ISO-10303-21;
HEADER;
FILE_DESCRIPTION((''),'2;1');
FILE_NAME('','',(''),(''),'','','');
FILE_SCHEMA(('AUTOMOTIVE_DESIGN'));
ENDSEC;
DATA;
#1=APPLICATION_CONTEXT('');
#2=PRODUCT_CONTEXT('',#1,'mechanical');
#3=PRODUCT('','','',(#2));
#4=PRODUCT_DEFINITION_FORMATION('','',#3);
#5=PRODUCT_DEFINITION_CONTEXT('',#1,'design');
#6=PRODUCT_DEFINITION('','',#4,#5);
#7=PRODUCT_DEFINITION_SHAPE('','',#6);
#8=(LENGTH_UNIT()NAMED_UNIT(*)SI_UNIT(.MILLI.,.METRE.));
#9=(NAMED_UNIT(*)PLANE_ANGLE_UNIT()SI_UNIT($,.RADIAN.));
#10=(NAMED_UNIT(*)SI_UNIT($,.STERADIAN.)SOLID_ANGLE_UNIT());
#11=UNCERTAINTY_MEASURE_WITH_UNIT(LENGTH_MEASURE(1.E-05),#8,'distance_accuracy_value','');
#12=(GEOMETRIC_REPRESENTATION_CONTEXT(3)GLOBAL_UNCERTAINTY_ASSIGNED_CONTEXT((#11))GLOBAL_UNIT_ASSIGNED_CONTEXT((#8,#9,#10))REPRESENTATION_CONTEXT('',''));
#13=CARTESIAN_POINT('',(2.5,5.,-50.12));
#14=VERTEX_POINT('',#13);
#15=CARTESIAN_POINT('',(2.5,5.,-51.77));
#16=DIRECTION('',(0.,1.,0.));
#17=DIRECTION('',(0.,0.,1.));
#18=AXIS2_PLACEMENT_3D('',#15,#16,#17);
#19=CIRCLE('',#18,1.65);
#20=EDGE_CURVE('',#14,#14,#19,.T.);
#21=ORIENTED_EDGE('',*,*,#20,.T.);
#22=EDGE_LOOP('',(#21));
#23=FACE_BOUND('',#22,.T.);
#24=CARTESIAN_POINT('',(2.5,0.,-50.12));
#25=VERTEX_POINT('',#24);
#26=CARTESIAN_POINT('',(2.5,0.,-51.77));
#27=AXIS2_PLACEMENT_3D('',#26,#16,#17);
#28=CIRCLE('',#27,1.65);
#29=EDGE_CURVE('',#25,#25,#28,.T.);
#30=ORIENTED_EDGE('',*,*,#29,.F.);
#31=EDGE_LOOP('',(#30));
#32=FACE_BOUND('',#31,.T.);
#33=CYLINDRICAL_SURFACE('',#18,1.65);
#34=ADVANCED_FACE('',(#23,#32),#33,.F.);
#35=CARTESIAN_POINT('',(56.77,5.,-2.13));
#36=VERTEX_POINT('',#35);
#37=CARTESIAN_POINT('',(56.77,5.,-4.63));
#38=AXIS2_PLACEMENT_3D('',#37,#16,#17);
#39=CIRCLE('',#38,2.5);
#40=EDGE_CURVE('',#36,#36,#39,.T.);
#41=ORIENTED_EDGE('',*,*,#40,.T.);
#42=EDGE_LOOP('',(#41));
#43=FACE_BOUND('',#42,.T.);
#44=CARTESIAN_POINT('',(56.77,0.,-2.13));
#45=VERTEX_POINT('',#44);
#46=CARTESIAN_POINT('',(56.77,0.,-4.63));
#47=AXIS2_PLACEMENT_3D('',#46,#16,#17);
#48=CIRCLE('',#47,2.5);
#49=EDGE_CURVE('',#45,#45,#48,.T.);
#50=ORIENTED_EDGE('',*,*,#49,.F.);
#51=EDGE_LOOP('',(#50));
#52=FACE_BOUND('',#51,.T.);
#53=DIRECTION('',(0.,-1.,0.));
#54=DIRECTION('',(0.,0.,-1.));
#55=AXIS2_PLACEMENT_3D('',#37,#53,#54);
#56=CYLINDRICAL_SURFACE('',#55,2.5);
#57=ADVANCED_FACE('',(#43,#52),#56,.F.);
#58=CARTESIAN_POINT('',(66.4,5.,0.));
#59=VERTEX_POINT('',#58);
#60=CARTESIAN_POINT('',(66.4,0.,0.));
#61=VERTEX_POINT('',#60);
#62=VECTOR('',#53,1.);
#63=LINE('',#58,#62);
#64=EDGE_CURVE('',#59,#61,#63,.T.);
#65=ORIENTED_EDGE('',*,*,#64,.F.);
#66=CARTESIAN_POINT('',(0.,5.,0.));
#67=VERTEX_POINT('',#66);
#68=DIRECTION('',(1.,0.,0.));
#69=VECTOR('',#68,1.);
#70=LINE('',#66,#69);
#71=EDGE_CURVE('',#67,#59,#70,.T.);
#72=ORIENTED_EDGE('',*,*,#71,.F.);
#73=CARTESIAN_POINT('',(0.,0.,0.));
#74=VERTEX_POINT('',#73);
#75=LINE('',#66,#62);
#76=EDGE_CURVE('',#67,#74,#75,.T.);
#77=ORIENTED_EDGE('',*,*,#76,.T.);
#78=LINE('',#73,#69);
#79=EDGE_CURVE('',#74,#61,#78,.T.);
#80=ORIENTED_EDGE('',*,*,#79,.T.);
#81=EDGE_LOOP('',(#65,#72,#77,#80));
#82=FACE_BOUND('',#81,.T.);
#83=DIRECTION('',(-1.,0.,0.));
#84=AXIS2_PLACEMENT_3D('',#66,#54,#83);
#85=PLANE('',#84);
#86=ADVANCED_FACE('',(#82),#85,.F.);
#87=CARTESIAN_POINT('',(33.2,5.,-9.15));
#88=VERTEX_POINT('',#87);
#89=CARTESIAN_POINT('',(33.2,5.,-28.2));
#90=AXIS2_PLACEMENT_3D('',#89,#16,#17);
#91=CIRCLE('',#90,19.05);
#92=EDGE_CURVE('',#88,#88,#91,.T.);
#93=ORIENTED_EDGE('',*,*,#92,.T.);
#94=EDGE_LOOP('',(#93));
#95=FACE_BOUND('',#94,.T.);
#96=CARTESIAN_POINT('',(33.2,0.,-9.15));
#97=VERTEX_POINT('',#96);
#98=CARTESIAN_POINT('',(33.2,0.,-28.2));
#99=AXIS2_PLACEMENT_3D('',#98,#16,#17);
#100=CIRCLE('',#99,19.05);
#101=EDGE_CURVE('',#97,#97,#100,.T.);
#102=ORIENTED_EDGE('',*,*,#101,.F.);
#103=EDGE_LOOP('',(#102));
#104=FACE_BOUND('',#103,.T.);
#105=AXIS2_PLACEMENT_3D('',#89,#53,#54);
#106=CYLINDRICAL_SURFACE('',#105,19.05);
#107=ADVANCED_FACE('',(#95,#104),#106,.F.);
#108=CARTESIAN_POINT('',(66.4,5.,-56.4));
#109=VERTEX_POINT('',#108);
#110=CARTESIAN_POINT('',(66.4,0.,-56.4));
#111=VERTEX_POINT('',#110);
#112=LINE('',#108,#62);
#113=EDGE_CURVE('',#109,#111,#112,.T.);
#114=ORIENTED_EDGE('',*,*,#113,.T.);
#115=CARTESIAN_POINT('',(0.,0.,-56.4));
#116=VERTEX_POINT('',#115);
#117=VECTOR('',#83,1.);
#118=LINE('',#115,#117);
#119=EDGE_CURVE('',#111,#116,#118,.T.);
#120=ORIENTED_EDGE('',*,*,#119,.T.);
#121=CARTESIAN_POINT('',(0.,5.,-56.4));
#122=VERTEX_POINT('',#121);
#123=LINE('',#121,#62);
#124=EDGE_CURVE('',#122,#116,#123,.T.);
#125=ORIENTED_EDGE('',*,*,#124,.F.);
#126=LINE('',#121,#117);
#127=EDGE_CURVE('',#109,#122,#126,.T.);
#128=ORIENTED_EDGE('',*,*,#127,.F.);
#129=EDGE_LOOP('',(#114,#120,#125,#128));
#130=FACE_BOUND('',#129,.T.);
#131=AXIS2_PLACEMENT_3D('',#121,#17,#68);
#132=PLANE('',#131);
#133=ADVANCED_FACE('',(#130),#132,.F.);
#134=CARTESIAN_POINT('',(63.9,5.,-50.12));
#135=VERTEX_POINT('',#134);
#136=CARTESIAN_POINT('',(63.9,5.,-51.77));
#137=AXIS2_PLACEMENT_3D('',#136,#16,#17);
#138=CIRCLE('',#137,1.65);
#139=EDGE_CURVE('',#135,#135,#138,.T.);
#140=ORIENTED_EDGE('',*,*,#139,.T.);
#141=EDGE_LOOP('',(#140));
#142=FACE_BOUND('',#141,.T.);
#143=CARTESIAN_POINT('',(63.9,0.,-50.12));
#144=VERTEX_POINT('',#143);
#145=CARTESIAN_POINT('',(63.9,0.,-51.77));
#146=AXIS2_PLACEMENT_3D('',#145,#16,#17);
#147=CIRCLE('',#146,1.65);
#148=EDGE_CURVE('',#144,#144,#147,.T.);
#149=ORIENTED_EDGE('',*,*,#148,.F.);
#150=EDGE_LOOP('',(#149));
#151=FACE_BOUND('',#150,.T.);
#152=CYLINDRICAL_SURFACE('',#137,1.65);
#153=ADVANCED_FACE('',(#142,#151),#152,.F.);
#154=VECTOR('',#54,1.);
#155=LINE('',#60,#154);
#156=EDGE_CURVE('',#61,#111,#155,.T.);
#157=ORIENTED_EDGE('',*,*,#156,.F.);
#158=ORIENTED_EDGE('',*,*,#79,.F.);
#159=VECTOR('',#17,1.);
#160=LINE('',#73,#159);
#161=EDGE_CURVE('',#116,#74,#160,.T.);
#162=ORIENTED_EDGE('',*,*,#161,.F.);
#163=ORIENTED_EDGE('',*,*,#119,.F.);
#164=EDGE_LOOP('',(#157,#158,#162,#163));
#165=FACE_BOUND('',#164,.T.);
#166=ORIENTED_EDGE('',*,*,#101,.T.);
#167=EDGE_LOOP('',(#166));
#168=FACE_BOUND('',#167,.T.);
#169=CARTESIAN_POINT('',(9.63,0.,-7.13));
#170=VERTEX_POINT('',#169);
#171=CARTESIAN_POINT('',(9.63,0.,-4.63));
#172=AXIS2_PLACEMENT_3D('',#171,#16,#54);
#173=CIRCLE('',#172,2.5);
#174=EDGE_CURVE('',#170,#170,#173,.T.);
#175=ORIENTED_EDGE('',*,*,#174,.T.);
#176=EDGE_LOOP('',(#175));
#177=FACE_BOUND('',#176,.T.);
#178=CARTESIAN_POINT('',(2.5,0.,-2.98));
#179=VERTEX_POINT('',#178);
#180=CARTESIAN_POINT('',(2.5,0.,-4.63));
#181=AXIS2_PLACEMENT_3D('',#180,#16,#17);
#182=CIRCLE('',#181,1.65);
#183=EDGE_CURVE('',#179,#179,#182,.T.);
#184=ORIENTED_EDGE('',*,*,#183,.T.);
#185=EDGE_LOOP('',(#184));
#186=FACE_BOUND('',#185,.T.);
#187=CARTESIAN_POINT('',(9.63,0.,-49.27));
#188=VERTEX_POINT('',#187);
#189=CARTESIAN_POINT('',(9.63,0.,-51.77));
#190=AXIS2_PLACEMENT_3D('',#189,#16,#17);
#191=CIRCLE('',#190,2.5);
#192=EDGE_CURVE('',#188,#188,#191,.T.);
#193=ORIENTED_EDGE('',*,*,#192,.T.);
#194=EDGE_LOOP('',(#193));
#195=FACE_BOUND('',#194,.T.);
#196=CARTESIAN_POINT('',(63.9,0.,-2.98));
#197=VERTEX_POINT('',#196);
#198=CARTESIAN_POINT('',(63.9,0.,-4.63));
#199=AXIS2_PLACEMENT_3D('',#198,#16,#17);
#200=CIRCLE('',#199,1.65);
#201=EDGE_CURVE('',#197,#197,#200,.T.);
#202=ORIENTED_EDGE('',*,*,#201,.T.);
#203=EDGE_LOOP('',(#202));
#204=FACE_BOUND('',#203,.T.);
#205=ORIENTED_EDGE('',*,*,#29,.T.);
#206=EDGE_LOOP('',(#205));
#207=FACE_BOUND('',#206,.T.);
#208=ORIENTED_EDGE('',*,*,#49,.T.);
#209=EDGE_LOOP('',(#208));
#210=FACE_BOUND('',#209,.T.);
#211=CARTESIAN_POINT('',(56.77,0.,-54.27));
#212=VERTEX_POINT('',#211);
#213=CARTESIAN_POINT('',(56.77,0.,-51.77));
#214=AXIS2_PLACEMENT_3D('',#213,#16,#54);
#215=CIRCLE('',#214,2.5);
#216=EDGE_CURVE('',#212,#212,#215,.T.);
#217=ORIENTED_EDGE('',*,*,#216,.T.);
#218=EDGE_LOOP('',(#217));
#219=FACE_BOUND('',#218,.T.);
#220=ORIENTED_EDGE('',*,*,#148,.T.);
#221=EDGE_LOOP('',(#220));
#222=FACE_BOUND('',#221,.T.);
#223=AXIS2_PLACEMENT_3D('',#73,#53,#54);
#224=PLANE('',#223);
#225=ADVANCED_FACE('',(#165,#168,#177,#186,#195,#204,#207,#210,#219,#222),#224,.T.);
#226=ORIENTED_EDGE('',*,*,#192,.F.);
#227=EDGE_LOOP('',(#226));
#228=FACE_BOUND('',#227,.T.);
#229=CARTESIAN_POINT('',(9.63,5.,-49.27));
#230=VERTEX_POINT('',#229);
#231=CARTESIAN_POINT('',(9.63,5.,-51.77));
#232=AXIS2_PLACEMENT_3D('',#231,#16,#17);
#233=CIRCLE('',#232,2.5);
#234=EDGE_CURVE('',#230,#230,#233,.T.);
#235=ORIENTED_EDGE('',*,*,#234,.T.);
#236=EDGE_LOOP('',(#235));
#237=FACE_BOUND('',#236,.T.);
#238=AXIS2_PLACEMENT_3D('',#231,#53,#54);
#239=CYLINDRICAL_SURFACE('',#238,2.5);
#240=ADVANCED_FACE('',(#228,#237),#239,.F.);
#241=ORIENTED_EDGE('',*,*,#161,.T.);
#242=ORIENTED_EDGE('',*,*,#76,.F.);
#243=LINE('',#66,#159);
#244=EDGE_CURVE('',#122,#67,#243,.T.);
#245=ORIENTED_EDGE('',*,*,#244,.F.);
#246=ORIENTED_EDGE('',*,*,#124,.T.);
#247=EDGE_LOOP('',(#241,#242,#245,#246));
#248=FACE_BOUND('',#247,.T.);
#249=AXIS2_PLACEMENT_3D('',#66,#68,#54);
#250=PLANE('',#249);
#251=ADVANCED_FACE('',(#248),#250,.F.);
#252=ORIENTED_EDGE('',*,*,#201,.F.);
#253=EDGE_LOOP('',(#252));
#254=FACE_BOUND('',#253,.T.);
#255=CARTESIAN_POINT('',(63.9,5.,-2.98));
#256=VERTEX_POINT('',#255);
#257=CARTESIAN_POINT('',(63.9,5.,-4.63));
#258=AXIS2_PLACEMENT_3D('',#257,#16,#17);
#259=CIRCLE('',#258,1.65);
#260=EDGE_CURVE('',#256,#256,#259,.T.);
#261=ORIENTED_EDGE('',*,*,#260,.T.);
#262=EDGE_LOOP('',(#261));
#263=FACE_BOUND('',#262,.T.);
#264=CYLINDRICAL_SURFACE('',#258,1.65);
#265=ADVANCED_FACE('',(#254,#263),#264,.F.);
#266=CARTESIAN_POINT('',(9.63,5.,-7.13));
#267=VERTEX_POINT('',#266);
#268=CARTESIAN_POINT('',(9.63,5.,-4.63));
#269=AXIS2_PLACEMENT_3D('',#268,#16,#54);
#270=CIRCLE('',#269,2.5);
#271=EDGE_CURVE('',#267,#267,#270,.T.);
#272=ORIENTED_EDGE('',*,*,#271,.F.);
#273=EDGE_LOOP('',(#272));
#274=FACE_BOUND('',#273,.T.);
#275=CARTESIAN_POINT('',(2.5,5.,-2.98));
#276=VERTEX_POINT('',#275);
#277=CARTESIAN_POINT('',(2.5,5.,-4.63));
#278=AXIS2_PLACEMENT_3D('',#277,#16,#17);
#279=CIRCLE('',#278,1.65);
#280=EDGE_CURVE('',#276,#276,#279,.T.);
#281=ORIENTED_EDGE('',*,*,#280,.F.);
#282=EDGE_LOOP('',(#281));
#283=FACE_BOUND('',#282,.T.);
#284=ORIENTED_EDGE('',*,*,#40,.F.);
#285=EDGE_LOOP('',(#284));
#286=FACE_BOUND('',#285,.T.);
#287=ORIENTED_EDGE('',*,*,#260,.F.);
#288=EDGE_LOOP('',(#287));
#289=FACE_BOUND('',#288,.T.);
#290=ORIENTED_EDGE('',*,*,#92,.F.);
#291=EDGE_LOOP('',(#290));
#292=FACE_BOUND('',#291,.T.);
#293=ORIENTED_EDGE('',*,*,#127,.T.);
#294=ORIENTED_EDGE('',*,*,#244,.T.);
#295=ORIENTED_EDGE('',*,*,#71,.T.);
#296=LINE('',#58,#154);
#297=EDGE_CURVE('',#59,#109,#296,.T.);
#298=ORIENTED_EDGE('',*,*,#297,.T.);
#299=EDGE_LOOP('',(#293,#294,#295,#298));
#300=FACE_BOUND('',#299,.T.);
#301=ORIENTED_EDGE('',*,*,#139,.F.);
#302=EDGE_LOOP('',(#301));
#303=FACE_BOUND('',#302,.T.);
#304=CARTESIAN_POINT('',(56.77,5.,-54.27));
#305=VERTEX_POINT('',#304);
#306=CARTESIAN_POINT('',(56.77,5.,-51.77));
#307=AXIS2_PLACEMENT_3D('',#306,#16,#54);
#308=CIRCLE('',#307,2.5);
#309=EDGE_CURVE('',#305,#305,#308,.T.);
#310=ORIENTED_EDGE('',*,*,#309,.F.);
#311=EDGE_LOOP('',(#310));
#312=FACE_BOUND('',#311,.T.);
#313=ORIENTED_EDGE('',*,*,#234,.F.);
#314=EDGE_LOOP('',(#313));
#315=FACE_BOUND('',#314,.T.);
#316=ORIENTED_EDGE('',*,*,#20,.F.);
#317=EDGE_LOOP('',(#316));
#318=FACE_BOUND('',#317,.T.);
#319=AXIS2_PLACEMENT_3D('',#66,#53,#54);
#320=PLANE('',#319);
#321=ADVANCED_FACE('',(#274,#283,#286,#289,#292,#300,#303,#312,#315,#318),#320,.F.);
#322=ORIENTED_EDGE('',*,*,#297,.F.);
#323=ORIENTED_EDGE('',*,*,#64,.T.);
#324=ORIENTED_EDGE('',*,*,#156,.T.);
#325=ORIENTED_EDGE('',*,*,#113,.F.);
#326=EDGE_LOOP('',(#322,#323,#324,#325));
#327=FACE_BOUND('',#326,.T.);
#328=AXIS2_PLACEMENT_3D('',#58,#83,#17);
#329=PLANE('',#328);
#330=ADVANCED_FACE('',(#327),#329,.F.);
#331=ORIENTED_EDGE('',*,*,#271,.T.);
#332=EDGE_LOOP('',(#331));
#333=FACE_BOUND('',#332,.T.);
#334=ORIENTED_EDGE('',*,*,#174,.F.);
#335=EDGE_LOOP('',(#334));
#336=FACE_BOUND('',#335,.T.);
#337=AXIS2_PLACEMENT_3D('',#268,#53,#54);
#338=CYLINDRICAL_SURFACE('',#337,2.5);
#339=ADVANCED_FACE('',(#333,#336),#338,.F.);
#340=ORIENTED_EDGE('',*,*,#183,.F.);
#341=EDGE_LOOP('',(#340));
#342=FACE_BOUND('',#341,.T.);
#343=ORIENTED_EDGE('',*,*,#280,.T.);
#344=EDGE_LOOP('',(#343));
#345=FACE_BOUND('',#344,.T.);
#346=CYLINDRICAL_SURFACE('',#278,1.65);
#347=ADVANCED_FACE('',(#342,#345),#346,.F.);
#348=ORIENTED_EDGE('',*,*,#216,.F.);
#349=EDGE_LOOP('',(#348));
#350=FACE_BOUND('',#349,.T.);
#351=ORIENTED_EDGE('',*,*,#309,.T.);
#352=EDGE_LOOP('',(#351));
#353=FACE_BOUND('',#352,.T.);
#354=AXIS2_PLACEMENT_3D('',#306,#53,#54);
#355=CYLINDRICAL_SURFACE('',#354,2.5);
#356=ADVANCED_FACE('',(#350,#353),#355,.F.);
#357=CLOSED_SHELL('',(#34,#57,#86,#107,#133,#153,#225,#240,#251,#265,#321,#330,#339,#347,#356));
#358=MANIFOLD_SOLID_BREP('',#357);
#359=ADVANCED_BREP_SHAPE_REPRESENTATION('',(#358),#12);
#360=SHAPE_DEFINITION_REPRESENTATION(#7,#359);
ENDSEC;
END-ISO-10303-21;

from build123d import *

# Parameters (mm, degrees)
SZKIC1_W                    = 66.4
SZKIC1_H                    = 56.4
SZKIC1_R                    = 19.05
SZKIC1_R_2                  = 2.5
DODANIE_WYCI_GNI_CIE1_DEPTH = 5
OTW_R_GWINTOWANY_M41_D      = 3.3
OTW_R_GWINTOWANY_M42_D      = 3.3


with BuildPart() as part:
    # Szkic1 → Dodanie-wyciągnięcie1 (new body)
    with BuildSketch(Plane(origin=(0, 0, 0), x_dir=(1, 0, 0), z_dir=(0, 1, 0))):
        with Locations((33.2, 28.2)):
            Rectangle(SZKIC1_W, SZKIC1_H)
        with Locations(Location((33.2, 28.2, 0), (0, 0, 270))):
            Circle(SZKIC1_R, mode=Mode.SUBTRACT)
        with Locations(Location((9.63, 51.77, 0), (0, 0, 270))):
            Circle(SZKIC1_R_2, mode=Mode.SUBTRACT)
        with Locations(Location((56.77, 51.77, 0), (0, 0, 90))):
            Circle(SZKIC1_R_2, mode=Mode.SUBTRACT)
        with Locations(Location((56.77, 4.63, 0), (0, 0, 270))):
            Circle(SZKIC1_R_2, mode=Mode.SUBTRACT)
        with Locations(Location((9.63, 4.63, 0), (0, 0, 90))):
            Circle(SZKIC1_R_2, mode=Mode.SUBTRACT)
    extrude(amount=DODANIE_WYCI_GNI_CIE1_DEPTH)

    # Otwór gwintowany M41 (through all)
    with Locations(Plane(origin=(2.5, 5, -51.77), x_dir=(0, 0, 1), z_dir=(0, 1, 0))):
        with Locations((0, 0)):
            Hole(OTW_R_GWINTOWANY_M41_D / 2)

    # Otwór gwintowany M42 (through all)
    with Locations(Plane(origin=(63.9, 5, -51.77), x_dir=(0, 0, 1), z_dir=(0, 1, 0))):
        with Locations((0, 0), (47.14, 0), (47.14, -61.4)):
            Hole(OTW_R_GWINTOWANY_M42_D / 2)


solid = part.part
